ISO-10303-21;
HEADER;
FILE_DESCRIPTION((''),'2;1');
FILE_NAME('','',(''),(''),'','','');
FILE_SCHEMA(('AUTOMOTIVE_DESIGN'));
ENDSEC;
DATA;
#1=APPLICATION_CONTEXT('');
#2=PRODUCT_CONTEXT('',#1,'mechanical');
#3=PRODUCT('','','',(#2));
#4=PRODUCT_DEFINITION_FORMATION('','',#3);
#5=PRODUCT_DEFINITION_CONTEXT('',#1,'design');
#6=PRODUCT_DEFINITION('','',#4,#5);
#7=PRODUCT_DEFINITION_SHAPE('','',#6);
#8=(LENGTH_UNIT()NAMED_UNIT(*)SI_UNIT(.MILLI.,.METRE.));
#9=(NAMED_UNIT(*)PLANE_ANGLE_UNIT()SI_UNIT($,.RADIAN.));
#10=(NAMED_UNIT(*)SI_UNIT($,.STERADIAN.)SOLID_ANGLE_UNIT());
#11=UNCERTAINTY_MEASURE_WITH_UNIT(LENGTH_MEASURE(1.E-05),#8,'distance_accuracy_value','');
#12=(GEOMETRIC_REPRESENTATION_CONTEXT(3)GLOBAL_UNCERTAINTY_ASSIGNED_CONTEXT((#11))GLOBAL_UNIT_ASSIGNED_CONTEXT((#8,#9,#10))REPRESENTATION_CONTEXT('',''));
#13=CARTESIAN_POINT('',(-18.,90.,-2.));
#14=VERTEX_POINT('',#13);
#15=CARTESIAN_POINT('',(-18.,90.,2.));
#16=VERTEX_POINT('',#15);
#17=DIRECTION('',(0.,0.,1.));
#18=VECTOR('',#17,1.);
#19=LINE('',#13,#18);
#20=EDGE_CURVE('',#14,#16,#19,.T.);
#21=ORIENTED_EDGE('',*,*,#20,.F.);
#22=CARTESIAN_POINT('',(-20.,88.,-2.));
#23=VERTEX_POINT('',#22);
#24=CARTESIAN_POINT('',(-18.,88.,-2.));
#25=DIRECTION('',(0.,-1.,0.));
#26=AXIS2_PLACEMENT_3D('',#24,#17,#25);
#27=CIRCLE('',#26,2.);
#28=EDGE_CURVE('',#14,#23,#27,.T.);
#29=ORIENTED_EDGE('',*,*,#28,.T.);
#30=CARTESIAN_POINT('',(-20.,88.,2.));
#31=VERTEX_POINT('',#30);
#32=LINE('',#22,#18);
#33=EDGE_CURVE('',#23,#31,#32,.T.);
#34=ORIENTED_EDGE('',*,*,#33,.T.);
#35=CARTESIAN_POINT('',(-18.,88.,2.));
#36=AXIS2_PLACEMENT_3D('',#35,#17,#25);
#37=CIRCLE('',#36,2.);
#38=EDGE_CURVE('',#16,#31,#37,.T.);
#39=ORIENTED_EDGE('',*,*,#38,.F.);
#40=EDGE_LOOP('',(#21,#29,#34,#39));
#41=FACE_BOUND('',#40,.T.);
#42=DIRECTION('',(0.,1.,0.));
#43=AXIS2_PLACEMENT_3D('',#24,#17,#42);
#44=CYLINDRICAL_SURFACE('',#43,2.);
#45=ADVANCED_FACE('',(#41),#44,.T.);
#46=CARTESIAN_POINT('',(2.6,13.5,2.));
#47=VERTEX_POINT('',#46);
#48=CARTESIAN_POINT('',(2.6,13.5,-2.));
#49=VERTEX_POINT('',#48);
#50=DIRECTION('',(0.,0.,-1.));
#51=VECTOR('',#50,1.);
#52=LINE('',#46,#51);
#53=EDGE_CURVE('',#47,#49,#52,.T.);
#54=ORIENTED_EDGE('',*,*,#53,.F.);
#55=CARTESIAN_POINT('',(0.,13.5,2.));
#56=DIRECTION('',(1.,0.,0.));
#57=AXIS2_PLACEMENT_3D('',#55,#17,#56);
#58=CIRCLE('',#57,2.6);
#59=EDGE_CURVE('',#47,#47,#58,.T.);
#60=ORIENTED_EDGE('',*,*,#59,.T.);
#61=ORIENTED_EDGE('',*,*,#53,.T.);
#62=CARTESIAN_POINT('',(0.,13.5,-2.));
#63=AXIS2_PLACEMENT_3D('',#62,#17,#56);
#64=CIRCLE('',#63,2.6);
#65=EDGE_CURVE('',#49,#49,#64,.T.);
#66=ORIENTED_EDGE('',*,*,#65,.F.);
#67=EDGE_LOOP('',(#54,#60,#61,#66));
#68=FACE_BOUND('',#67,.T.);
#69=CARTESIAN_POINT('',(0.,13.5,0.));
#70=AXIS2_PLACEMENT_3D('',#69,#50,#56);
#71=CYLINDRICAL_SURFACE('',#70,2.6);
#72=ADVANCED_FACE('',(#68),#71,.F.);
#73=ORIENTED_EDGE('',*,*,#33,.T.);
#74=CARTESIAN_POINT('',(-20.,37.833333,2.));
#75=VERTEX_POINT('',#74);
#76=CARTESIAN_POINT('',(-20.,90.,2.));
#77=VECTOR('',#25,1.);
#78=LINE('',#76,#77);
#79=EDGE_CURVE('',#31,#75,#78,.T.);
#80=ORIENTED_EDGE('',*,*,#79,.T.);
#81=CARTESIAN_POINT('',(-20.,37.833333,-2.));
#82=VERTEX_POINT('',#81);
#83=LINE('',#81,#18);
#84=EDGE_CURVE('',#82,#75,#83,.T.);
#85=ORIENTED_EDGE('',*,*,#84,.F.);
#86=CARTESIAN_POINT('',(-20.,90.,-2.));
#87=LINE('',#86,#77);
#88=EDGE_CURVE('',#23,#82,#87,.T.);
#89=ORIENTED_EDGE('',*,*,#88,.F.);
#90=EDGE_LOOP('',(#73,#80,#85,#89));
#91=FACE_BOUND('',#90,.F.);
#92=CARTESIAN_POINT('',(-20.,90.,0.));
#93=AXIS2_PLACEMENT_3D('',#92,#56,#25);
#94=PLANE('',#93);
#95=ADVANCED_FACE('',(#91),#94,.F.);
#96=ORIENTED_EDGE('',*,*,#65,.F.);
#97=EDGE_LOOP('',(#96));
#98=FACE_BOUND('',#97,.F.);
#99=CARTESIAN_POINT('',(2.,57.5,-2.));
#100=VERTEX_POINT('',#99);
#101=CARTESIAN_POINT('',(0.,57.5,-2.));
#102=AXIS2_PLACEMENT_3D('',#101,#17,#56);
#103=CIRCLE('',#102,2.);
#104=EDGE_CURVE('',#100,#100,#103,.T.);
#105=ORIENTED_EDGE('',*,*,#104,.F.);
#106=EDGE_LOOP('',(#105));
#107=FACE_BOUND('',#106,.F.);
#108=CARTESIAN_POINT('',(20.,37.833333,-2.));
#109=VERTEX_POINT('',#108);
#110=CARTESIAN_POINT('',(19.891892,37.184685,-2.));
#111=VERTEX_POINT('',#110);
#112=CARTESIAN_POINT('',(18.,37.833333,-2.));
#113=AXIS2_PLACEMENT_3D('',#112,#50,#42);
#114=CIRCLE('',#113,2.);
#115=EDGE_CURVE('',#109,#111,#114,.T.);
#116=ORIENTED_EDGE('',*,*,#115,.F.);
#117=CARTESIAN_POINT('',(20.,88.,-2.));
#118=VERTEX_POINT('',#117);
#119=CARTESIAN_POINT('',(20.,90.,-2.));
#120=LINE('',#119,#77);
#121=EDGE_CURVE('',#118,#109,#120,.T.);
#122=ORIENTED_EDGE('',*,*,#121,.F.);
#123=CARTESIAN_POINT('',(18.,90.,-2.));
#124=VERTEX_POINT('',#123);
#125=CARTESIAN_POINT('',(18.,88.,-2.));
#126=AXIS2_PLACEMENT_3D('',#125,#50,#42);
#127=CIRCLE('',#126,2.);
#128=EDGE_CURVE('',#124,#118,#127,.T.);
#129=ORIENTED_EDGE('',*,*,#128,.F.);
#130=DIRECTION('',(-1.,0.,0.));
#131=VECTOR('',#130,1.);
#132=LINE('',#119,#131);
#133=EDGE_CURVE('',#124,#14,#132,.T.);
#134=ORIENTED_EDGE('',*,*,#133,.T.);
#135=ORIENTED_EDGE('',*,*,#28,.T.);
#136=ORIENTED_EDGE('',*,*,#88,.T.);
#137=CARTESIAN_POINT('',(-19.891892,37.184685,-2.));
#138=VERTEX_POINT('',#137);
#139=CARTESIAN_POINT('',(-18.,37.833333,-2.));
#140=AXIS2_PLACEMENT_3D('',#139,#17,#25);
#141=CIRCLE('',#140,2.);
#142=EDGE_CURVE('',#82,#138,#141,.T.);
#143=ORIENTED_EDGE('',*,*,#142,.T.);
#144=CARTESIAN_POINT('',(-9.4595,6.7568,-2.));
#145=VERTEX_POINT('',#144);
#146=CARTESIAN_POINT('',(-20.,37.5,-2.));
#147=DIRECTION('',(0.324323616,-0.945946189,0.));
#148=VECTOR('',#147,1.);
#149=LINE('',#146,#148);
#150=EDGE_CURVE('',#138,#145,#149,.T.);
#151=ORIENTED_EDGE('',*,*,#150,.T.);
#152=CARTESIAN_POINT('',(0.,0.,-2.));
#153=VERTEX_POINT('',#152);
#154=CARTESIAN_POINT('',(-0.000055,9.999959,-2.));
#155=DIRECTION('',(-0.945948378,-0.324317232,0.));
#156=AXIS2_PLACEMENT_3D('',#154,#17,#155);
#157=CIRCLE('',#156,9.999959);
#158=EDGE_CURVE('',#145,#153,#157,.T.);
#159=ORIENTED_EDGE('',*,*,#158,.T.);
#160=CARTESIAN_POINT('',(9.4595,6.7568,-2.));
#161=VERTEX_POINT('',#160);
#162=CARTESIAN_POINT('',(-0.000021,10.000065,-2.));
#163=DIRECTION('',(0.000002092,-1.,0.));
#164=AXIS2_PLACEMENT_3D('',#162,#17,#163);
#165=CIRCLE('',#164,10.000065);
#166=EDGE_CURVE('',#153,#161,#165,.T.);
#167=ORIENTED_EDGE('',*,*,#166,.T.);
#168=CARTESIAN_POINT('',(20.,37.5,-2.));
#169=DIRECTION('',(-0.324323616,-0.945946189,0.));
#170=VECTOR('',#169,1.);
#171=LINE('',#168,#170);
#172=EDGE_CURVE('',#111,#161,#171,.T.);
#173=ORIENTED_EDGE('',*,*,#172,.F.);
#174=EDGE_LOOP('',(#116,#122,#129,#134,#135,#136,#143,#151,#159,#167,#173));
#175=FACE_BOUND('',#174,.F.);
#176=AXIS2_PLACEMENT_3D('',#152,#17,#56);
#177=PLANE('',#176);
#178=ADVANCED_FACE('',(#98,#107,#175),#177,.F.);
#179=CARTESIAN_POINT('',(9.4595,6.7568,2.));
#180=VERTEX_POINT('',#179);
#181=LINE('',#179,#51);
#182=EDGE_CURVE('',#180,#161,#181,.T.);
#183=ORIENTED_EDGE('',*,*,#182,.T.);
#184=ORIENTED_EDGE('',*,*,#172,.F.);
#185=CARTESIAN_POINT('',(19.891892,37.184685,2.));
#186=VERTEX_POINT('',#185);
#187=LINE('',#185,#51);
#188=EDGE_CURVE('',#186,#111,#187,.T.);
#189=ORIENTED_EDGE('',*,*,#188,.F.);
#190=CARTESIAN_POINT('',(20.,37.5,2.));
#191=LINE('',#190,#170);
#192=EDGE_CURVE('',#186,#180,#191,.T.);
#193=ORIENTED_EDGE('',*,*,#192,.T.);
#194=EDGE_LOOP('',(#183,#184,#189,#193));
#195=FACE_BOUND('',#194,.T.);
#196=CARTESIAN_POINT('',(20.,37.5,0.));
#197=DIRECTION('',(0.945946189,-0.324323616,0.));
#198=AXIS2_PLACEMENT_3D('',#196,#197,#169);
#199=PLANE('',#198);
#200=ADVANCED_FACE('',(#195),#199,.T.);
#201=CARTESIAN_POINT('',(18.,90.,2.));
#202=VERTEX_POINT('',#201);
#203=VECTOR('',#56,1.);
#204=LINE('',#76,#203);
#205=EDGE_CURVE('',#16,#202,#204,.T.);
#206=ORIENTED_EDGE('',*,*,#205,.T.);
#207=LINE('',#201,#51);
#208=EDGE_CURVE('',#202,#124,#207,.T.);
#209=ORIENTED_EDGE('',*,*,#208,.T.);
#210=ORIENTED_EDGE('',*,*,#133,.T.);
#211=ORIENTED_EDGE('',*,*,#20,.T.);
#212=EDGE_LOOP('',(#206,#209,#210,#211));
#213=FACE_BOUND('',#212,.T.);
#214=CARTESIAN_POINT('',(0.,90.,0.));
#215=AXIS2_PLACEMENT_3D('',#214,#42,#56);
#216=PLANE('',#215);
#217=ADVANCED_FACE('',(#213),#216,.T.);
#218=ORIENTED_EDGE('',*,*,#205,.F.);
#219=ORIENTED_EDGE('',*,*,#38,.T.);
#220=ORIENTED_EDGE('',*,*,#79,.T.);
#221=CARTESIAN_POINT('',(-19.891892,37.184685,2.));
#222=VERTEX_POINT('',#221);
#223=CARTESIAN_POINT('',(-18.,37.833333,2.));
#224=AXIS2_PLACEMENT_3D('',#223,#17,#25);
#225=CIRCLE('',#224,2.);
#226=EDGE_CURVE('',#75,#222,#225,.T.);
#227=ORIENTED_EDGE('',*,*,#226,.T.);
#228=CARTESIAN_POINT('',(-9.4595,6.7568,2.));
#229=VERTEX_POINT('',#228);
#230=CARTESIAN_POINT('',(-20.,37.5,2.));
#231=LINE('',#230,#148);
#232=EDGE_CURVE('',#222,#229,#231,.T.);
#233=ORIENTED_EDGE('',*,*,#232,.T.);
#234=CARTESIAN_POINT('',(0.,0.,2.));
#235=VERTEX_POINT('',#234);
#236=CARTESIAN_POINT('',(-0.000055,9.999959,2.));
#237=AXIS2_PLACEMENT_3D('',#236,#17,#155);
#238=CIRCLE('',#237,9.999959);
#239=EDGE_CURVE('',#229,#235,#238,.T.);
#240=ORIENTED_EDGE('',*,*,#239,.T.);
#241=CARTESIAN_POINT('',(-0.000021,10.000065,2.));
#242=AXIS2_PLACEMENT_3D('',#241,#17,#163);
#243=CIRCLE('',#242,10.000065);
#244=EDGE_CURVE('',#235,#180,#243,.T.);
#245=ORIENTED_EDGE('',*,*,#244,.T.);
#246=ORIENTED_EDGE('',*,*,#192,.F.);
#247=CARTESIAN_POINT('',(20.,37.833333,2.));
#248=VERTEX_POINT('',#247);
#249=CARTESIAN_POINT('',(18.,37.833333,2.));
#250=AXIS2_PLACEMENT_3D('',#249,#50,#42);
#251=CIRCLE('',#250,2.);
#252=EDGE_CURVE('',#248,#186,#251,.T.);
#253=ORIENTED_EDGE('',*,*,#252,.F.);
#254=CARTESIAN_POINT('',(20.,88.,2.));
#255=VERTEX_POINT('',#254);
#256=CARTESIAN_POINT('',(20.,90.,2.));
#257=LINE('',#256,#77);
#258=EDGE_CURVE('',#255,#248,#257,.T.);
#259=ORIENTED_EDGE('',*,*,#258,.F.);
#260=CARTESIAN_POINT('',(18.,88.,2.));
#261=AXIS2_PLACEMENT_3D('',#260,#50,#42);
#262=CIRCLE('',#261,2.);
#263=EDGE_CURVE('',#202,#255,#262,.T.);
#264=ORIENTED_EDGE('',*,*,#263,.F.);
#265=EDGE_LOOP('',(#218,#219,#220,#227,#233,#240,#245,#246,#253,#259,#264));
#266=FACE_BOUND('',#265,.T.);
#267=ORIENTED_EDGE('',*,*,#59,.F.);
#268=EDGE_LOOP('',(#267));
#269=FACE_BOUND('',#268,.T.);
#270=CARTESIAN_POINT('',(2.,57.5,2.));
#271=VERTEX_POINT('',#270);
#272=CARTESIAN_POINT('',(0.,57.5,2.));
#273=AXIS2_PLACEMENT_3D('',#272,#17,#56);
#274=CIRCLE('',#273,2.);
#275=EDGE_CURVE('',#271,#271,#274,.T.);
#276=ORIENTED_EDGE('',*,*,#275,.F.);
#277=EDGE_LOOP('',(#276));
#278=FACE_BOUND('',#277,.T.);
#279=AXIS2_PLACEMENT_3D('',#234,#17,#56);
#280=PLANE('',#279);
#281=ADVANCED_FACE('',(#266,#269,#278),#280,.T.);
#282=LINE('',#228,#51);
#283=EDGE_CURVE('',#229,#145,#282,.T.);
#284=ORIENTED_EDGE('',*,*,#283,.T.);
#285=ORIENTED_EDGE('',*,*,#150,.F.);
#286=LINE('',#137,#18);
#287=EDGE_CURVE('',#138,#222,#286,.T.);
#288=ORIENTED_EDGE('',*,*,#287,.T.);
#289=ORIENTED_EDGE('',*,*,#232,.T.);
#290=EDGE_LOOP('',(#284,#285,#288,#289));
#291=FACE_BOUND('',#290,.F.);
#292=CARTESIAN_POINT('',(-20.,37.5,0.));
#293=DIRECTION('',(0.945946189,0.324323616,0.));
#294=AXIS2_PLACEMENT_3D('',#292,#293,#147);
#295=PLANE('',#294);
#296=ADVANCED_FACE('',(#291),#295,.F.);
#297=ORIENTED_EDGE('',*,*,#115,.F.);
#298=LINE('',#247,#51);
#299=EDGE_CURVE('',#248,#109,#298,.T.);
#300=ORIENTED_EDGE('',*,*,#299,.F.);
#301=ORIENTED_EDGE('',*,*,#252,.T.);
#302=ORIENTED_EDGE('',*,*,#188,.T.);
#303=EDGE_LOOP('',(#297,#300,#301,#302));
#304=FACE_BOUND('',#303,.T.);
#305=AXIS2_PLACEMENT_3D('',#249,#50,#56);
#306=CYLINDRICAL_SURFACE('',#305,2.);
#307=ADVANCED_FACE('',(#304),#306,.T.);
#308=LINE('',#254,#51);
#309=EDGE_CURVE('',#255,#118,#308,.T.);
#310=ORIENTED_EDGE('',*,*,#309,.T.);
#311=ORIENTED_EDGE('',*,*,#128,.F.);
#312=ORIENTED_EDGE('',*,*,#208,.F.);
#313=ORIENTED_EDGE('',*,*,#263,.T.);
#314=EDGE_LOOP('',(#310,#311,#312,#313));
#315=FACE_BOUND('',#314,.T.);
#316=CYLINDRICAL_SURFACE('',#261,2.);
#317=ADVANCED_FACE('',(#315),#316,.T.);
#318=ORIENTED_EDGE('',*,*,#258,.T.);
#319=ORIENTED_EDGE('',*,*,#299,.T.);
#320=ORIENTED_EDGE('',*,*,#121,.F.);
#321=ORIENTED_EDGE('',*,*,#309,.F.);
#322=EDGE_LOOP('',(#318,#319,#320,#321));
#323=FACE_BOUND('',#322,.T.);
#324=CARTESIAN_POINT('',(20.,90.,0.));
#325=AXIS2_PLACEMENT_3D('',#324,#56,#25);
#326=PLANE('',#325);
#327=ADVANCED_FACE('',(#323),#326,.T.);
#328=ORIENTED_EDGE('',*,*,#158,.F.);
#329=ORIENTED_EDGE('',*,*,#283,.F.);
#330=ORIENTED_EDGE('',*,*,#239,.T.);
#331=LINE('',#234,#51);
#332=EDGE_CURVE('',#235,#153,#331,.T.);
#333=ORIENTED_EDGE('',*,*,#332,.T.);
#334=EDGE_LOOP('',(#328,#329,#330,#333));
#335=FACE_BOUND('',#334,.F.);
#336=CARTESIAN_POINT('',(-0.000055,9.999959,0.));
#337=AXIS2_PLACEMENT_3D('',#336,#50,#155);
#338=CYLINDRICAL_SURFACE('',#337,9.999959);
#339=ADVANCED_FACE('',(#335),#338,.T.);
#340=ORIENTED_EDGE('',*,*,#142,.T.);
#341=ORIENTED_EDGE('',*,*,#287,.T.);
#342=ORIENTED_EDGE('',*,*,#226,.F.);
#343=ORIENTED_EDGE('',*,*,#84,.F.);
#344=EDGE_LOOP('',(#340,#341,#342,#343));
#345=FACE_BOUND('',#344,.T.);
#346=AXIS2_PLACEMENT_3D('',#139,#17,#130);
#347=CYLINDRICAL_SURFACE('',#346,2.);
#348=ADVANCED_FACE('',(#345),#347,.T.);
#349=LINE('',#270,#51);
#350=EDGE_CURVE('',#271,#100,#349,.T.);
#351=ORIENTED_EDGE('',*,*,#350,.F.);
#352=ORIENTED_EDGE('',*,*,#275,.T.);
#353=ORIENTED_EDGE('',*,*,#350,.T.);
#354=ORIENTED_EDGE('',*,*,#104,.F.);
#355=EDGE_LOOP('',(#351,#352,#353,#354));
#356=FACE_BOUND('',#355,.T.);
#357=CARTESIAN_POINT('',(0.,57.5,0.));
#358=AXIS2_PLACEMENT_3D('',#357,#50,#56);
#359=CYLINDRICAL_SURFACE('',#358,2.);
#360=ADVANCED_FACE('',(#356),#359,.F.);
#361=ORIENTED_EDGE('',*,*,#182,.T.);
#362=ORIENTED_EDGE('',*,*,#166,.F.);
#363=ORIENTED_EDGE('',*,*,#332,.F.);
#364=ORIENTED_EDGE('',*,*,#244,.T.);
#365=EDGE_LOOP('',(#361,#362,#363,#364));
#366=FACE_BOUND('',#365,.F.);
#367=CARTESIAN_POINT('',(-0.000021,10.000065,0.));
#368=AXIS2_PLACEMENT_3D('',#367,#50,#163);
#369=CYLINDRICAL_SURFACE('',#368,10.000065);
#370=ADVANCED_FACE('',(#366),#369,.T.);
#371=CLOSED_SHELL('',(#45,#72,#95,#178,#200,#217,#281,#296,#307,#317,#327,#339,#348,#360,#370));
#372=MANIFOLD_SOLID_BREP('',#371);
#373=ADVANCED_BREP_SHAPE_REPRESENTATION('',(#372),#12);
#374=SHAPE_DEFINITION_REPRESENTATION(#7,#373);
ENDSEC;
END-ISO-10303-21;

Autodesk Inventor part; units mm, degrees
ref_plane "YZ Plane" through (0, 0, 0) normal (1, 0, 0) x (0, 1, 0)
ref_plane "XZ Plane" through (0, 0, 0) normal (0, 1, 0) x (-1, 0, 0)
ref_plane "XY Plane" through (0, 0, 0) normal (0, 0, 1) x (1, 0, 0)
sketch "Sketch1" plane through (0, 0, 0) normal (0, 0, 1) x (1, 0, 0)
  line L0 (0, 0) -> (0, 100) construction
  line L1 (0, 90) -> (-20, 90)
  line L2 (-20, 90) -> (-20, 37.5)
  arc A0 (-9.4595, 6.7568) -> (0, 0) centre (0, 10) ccw
  line L3 (-20, 37.5) -> (-9.4595, 6.7568)
  line L4 (0, 90) -> (20, 90)
  line L5 (20, 90) -> (20, 37.5)
  arc A1 (0, 0) -> (9.4595, 6.7568) centre (0, 10) ccw
  line L6 (20, 37.5) -> (9.4595, 6.7568)
  circle A2 centre (0, 57.5) radius 2
  circle A3 centre (0, 13.5) radius 2.6
  dimension "d0" = 100
  dimension "d1" = 20
  dimension "d2" = 90
  dimension "d3" = 52.5
  dimension "d4" = 10
  dimension "d5" = 20
  dimension "d6" = 32.5
  dimension "d7" = 4
  dimension "d8" = 24
  dimension "d9" = 5.2
extrude "Extrusion1" add sketch "Sketch1" along normal mid plane 4
fillet "Fillet1" radius 2 4 edges at (20, 90, 0) (20, 37.5, 0) (-20, 37.5, 0) (-20, 90, 0)
properties part number "Frame2" material "Steel, Carbon"
